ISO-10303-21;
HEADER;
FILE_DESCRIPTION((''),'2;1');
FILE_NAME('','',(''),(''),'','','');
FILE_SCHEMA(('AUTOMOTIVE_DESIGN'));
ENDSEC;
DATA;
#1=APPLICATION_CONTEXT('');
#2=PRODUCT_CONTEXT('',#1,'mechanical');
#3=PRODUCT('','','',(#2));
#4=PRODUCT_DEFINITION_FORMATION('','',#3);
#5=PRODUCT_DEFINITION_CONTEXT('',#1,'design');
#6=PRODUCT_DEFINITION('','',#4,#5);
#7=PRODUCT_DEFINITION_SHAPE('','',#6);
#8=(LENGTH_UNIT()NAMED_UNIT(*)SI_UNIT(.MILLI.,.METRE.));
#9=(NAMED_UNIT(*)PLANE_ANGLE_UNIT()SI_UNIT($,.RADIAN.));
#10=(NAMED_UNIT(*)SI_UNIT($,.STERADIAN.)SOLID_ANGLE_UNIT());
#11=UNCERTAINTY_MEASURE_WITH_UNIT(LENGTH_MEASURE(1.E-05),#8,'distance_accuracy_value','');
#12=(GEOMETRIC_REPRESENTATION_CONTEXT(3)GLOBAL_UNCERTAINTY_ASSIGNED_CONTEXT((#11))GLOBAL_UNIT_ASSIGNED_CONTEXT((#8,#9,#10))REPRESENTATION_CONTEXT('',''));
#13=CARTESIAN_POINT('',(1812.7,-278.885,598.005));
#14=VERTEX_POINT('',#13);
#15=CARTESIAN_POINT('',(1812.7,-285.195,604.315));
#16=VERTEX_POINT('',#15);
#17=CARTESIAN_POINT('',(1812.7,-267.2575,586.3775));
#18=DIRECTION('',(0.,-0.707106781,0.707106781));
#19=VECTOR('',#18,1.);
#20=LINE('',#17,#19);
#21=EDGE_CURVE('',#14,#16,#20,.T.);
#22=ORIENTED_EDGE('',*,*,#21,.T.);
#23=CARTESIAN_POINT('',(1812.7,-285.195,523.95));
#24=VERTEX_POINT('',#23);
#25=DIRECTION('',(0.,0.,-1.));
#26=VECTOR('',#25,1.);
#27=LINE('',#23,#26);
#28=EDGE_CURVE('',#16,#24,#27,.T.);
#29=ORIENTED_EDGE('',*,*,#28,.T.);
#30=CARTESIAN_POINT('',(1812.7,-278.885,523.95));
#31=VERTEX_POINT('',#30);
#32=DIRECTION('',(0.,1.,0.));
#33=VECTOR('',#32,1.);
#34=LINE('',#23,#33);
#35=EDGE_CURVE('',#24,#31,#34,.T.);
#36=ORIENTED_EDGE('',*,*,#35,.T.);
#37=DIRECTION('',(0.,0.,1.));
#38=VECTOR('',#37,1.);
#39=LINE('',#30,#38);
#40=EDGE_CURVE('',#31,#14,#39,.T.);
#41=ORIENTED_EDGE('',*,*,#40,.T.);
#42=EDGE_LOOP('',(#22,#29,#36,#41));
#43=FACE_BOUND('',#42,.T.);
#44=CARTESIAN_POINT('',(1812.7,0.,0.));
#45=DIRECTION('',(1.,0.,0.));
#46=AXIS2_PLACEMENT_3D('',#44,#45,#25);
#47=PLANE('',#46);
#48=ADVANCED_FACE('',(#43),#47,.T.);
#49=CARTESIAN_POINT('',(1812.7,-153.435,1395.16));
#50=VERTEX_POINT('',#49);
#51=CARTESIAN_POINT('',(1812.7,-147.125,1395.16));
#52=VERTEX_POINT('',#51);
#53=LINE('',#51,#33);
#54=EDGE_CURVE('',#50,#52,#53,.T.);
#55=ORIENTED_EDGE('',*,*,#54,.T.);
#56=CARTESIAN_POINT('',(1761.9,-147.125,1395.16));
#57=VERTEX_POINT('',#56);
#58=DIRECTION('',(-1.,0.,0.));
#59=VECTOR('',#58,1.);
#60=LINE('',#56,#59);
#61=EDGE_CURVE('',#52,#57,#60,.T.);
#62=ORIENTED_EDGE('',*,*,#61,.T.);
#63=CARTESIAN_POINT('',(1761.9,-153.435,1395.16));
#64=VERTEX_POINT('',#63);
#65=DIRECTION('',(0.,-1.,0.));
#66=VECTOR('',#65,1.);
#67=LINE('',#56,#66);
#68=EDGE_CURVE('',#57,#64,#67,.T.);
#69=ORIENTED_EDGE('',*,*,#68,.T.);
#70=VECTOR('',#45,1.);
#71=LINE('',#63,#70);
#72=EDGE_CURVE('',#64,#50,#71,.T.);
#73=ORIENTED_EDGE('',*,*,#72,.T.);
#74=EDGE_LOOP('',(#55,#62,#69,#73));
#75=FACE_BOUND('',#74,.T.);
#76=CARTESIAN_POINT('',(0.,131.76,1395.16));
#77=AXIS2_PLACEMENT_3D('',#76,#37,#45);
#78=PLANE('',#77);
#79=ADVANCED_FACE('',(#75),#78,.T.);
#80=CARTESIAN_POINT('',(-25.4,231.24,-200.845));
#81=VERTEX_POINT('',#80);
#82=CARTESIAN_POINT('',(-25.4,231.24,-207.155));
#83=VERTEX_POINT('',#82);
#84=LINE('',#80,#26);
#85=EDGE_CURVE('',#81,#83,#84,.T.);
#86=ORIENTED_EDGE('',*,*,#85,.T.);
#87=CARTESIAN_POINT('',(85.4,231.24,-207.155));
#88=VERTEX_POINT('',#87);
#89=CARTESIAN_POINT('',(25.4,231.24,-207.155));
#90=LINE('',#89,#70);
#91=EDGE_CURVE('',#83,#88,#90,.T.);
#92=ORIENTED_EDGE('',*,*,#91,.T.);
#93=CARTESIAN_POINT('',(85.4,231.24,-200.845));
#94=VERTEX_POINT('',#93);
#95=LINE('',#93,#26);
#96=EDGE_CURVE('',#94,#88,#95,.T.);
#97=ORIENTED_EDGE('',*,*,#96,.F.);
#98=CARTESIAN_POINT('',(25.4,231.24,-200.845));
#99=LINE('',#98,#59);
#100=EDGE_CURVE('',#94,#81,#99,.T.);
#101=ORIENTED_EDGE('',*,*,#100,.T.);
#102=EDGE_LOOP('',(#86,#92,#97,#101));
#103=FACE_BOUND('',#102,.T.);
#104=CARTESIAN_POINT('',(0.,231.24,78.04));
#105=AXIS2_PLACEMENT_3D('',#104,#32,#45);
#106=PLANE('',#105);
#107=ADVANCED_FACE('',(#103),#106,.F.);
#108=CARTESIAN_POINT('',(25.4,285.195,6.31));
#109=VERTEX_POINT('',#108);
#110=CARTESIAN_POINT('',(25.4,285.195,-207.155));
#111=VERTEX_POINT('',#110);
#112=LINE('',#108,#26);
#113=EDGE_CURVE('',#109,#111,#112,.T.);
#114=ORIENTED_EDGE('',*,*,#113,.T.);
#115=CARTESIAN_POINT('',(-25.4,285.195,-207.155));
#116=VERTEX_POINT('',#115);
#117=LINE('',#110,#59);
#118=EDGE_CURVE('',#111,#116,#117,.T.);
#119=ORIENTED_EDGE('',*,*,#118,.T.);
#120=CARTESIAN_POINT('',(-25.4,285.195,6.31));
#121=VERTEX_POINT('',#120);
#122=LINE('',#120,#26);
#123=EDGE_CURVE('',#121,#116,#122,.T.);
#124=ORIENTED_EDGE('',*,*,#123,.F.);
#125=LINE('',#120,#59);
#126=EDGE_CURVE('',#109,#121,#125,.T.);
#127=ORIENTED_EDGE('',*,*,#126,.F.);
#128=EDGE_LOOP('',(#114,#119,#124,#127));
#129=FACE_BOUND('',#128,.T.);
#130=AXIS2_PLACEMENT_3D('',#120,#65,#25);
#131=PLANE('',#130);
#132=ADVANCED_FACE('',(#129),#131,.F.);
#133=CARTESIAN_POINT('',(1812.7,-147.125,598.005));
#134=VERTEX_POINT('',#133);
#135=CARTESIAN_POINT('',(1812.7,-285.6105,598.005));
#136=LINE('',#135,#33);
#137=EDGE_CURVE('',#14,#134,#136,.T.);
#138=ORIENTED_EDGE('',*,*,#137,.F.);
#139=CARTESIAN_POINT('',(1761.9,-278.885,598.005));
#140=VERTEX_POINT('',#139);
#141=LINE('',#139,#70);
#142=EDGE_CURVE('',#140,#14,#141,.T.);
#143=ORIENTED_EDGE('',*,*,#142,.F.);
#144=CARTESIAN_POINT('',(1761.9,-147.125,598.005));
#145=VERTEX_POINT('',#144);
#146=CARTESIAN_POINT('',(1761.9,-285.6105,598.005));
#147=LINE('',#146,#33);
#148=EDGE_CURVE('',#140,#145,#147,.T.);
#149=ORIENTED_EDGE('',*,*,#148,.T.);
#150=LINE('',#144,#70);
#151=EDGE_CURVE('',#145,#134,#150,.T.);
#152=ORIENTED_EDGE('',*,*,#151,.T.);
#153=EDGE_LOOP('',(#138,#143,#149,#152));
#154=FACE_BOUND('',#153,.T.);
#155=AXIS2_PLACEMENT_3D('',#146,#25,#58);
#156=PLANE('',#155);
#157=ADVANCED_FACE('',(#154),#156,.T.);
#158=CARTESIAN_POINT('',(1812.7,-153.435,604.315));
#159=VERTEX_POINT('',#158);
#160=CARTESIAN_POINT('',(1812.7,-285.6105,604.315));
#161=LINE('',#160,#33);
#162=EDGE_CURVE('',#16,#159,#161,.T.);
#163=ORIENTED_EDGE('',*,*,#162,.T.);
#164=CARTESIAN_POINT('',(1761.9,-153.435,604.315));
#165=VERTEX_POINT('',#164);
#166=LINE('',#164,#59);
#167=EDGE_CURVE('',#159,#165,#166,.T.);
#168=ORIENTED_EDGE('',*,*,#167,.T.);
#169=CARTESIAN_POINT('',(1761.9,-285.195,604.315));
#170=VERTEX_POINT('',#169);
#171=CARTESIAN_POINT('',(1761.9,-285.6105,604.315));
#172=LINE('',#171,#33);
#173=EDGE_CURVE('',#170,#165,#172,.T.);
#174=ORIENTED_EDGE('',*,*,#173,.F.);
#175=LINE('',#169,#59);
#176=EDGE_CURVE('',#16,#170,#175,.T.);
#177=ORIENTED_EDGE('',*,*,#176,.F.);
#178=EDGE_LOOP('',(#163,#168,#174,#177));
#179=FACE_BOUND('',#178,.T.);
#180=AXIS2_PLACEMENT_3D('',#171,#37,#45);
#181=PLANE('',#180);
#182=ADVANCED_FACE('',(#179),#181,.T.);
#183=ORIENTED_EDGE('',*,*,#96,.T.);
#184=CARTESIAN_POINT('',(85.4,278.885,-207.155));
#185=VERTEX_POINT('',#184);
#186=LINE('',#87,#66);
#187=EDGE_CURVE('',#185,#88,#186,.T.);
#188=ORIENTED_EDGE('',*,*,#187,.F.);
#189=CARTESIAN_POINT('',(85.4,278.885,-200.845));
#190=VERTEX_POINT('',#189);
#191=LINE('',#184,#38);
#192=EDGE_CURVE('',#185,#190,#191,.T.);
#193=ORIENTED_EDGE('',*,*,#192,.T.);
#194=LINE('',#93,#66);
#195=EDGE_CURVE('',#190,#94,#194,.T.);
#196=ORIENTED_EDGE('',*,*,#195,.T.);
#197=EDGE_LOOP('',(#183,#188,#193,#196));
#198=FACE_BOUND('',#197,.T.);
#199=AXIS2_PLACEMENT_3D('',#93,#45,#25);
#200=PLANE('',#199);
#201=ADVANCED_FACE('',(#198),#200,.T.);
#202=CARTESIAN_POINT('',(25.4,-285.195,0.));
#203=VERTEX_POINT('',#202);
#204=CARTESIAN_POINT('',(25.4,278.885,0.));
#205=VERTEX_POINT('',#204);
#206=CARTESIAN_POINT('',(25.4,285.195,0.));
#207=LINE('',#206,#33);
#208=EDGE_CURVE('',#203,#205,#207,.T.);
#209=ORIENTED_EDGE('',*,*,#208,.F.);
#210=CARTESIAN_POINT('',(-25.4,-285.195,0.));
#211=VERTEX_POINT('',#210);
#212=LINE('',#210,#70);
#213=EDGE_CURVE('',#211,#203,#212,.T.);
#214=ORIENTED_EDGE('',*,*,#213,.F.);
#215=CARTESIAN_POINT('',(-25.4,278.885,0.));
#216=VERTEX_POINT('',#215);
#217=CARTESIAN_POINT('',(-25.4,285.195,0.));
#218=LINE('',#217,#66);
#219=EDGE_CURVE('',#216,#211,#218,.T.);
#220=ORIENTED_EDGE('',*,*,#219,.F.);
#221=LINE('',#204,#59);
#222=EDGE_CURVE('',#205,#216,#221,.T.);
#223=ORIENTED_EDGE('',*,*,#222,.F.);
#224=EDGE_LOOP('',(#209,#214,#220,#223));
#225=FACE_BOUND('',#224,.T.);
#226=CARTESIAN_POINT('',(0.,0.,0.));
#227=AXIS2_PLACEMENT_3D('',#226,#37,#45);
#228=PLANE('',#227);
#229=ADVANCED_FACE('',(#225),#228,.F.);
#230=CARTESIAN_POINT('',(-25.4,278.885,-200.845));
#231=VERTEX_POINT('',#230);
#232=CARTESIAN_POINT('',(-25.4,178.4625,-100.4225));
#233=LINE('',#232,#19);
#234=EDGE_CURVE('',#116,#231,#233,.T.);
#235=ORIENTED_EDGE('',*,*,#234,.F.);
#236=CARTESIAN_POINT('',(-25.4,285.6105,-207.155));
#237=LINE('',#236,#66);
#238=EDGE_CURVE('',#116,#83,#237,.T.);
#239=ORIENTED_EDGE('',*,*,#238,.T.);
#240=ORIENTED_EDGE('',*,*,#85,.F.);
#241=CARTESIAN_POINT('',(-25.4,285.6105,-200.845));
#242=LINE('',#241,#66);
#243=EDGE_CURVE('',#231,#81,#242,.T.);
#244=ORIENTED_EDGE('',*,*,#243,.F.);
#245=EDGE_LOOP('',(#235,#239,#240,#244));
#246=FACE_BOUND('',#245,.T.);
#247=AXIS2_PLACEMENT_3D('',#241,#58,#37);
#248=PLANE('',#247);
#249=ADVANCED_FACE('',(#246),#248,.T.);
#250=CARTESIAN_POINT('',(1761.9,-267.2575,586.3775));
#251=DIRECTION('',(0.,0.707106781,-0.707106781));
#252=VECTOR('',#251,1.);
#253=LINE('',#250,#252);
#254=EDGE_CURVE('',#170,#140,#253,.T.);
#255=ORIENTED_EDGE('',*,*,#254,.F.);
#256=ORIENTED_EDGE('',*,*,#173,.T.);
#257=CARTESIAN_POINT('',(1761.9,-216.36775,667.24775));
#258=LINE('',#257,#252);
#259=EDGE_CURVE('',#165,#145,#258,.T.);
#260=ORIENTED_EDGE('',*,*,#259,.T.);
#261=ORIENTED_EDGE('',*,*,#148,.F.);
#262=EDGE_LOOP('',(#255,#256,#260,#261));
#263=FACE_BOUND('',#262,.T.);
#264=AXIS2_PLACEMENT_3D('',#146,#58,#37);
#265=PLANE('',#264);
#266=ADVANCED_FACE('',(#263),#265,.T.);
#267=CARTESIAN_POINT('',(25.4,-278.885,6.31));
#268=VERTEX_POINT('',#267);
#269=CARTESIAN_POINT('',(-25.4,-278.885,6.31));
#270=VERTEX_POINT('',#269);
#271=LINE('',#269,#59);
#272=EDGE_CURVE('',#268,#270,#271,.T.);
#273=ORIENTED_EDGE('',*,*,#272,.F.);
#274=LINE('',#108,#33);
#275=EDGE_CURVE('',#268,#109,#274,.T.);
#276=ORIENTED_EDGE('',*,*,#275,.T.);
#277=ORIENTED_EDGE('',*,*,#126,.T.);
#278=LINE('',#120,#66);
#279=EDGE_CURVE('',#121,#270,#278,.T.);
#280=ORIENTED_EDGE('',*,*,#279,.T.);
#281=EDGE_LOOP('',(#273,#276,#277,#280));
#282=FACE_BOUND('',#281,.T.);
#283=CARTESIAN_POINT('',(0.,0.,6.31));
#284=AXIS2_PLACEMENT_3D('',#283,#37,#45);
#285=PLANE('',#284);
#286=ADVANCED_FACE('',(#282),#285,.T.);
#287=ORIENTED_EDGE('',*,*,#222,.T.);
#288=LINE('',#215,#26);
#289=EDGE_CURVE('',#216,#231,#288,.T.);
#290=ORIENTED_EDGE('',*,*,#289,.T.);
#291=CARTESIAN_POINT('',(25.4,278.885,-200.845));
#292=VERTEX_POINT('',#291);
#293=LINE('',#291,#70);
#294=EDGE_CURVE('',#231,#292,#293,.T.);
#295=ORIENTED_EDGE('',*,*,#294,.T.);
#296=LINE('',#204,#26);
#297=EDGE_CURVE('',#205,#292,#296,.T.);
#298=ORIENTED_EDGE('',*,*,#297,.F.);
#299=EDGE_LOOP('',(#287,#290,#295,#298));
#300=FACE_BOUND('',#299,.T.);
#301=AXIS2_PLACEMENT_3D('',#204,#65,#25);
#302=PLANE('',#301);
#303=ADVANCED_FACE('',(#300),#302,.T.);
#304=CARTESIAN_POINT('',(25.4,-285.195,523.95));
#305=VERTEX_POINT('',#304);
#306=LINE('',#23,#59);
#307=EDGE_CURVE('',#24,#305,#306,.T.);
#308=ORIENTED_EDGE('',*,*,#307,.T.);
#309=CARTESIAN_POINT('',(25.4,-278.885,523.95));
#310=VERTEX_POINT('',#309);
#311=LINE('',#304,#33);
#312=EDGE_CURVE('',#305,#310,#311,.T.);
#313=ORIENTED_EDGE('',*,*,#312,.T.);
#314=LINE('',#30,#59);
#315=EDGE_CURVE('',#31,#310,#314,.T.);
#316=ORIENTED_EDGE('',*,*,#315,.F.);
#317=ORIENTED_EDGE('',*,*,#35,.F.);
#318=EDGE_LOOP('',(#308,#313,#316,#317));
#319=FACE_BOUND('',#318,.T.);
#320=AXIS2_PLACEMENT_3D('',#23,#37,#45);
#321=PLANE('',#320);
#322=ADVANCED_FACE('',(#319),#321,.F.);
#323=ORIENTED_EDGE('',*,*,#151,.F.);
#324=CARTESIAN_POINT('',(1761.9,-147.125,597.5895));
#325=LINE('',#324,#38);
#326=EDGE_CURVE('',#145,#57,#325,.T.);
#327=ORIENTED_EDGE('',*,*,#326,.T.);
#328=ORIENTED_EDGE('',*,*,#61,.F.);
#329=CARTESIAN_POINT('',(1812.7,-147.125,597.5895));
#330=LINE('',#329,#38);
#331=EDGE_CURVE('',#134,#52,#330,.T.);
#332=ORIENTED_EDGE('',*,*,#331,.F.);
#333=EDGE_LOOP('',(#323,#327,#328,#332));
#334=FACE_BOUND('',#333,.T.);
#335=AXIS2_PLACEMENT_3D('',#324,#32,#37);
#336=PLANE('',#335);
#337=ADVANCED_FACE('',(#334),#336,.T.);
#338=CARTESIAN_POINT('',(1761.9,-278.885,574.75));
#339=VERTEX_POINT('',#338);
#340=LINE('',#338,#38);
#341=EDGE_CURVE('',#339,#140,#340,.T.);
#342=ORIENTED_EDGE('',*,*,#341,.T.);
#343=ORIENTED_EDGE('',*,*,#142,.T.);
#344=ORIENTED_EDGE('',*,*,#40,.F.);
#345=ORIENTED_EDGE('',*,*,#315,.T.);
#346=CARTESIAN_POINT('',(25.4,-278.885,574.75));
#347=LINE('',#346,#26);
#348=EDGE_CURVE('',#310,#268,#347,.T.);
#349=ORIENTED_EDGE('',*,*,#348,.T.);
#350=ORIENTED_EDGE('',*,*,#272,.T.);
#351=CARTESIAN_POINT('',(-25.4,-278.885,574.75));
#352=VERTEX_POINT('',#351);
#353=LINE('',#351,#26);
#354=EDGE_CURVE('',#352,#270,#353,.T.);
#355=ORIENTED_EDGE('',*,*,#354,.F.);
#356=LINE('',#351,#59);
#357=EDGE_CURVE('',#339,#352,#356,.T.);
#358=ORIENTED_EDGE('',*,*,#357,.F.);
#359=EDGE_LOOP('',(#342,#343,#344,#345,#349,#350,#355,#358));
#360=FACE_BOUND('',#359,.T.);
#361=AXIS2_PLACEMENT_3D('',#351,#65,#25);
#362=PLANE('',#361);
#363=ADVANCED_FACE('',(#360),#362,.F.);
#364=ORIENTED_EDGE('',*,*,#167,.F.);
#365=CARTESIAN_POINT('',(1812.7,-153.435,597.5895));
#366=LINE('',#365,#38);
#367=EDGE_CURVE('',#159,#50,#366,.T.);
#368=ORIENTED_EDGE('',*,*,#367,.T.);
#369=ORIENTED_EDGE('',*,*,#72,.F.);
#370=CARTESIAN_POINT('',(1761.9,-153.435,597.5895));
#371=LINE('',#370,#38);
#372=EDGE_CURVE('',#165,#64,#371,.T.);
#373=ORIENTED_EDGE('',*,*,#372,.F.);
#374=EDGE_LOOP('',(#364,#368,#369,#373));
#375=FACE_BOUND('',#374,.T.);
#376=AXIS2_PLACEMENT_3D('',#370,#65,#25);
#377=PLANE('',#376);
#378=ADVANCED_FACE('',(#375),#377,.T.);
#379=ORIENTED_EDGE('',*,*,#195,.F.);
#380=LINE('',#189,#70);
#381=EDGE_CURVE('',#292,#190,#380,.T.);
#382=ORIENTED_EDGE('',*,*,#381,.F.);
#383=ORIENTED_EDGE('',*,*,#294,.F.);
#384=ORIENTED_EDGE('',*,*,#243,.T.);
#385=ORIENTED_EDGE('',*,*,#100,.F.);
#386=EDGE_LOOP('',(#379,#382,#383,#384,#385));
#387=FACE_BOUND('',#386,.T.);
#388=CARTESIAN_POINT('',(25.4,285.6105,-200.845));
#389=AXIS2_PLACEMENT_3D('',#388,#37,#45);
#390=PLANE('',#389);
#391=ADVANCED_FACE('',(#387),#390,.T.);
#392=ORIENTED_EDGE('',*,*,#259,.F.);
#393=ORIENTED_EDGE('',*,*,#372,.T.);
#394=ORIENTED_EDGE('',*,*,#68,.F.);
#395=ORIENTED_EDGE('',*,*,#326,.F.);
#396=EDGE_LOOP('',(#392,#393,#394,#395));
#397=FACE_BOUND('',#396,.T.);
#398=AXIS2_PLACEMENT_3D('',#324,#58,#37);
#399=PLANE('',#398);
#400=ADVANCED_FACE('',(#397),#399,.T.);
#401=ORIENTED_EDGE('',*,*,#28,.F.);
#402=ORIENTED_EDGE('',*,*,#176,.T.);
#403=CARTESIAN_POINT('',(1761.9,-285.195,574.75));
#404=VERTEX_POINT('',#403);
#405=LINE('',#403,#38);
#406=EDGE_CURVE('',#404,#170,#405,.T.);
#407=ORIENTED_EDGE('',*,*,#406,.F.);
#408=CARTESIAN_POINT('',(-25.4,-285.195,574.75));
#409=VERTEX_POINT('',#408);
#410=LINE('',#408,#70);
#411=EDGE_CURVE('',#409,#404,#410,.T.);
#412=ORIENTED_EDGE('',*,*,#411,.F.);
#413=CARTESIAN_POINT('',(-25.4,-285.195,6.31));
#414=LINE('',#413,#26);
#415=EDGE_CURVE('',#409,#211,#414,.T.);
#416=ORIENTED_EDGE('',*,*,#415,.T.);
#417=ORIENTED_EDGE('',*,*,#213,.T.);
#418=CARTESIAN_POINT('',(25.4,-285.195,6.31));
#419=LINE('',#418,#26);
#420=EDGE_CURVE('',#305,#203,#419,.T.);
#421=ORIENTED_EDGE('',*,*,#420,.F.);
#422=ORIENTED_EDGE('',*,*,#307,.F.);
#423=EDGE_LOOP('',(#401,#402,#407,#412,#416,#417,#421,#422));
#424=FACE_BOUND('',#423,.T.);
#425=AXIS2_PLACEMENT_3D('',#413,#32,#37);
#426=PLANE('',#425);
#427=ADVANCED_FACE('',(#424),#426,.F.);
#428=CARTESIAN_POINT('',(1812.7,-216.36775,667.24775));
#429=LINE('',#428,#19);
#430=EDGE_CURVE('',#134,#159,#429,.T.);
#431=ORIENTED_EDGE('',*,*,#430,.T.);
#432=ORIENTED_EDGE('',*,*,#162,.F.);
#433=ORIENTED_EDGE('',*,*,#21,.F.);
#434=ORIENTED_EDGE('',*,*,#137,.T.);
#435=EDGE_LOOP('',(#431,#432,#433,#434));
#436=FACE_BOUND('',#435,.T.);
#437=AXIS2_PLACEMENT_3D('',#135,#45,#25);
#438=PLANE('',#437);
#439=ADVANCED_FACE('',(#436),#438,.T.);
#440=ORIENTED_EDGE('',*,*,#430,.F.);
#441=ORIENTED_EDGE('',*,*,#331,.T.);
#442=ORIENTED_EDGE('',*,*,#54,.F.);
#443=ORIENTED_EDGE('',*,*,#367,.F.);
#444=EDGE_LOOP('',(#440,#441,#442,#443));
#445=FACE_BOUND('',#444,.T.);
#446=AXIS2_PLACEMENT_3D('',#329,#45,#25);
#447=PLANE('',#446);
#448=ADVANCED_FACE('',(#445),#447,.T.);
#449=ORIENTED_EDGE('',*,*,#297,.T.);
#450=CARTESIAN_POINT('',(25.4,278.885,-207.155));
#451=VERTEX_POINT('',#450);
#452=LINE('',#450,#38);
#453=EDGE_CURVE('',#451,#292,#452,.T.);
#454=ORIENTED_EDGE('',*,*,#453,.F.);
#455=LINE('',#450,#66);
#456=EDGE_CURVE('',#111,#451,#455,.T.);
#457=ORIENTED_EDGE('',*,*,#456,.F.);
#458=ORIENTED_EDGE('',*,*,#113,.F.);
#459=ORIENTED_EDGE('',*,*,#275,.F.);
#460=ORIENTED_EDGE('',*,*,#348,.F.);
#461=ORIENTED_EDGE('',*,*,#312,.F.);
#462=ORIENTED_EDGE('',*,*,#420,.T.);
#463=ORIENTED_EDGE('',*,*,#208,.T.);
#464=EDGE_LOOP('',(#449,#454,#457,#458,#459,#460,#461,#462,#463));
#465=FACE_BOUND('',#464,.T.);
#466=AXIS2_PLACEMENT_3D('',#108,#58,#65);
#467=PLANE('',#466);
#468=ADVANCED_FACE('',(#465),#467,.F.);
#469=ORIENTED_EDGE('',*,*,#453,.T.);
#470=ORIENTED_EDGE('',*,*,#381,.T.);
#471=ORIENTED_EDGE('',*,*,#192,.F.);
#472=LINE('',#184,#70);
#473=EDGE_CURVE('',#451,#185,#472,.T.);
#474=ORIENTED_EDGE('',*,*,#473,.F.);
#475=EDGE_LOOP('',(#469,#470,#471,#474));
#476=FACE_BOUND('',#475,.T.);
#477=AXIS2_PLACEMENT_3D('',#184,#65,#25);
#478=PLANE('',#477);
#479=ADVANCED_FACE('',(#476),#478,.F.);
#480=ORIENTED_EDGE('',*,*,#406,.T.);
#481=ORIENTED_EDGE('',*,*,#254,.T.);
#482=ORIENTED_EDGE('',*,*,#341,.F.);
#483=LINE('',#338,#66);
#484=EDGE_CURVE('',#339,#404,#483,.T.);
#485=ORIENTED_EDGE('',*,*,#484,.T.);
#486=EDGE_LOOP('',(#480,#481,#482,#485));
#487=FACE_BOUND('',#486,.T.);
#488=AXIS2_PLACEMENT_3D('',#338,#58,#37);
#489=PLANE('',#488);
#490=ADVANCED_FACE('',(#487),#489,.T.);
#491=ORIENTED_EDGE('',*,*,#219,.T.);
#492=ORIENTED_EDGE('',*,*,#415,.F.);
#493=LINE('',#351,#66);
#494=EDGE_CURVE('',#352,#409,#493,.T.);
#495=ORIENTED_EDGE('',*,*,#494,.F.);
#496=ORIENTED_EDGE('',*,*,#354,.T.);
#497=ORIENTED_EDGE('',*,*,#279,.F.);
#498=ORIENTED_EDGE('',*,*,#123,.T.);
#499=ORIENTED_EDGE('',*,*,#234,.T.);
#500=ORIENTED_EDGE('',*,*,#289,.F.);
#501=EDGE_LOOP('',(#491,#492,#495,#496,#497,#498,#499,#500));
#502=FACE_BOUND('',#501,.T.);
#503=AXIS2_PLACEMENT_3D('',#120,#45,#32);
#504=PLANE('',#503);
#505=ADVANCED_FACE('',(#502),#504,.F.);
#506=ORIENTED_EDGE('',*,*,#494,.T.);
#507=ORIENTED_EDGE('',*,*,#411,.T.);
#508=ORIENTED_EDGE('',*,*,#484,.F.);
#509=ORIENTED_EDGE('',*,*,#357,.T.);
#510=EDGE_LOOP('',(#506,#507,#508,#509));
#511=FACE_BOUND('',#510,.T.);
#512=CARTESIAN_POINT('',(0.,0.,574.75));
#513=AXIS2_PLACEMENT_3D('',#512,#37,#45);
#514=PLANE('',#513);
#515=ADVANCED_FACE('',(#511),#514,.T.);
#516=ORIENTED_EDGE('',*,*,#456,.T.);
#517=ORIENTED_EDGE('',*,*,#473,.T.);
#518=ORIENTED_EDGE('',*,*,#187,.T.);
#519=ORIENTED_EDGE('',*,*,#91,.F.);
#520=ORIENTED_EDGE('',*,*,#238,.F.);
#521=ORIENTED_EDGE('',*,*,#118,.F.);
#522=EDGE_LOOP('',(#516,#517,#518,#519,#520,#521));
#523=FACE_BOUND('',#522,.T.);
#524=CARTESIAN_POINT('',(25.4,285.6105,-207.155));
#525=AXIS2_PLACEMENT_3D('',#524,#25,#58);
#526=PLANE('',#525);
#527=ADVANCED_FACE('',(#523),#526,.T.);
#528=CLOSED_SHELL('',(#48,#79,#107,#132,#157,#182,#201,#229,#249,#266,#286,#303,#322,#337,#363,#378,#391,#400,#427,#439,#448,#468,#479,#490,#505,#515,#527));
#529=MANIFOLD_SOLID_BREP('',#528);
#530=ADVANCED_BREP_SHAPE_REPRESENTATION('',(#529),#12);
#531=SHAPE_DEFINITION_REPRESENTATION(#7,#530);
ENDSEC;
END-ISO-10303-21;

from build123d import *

# Parameters (mm, degrees)
CROQUIS2_W              = 50.8
CROQUIS2_H              = 570.39
SALIENTE_EXTRUIR1_DEPTH = 6.31
CROQUIS3_W              = 50.8
CROQUIS3_H              = 6.31
SALIENTE_EXTRUIR2_DEPTH = 568.44
CROQUIS4_W              = 50.8
CROQUIS4_H              = 6.31
SALIENTE_EXTRUIR3_DEPTH = 1787.3
CROQUIS6_W              = 50.8
CROQUIS6_H              = 6.31
CROQUIS7_W              = 60
CROQUIS7_H              = 53.955
SALIENTE_EXTRUIR4_DEPTH = 6.31
CROQUIS8_W              = 60
CROQUIS8_H              = 6.31
CORTAR_EXTRUIR1_DEPTH   = 6.31
CROQUIS9_W              = 50.8
CROQUIS9_H              = 6.31


with BuildPart() as part:
    # Croquis2 → Saliente-Extruir1 (new body)
    with BuildSketch(Plane.XY):
        Rectangle(CROQUIS2_W, CROQUIS2_H)
    extrude(amount=SALIENTE_EXTRUIR1_DEPTH)

    # Croquis3 → Saliente-Extruir2 (add)
    with BuildSketch(Plane.XY.offset(6.31)):
        with Locations((0, -282.04)):
            Rectangle(CROQUIS3_W, CROQUIS3_H)
    extrude(amount=SALIENTE_EXTRUIR2_DEPTH)

    # Croquis4 → Saliente-Extruir3 (add)
    with BuildSketch(Plane(origin=(25.4, 0, 0), x_dir=(0, 0, -1), z_dir=(1, 0, 0))):
        with Locations((-549.35, -282.04)):
            Rectangle(CROQUIS4_W, CROQUIS4_H)
    extrude(amount=SALIENTE_EXTRUIR3_DEPTH)

    # Barrer1: sweep along a curve in space
    with BuildLine() as barrer1_path:
        Line((0, 282.04, 0), (0, 282.04, -204))
        Line((0, 282.04, -204), (0, 231.24, -204))
    # Croquis6 → Barrer1 (sweep)
    with BuildSketch(Plane(origin=(0, 0, 0), x_dir=(-1, 0, 0), z_dir=(0, 0, -1))):
        with Locations((0, 282.04)):
            Rectangle(CROQUIS6_W, CROQUIS6_H)
    sweep(path=barrer1_path.line, transition=Transition.RIGHT)

    # Croquis7 → Saliente-Extruir4 (add)
    with BuildSketch(Plane(origin=(0, 0, -207.155), x_dir=(-1, 0, 0), z_dir=(0, 0, -1))):
        with Locations((-55.4, 258.2175)):
            Rectangle(CROQUIS7_W, CROQUIS7_H)
    extrude(amount=-SALIENTE_EXTRUIR4_DEPTH)

    # Croquis8 → Cortar-Extruir1 (cut)
    with BuildSketch(Plane.XY.offset(-200.845)):
        with Locations((55.4, 282.04)):
            Rectangle(CROQUIS8_W, CROQUIS8_H)
    extrude(amount=-CORTAR_EXTRUIR1_DEPTH, mode=Mode.SUBTRACT)

    # Barrer2: sweep along a curve in space
    with BuildLine() as barrer2_path:
        Line((1787.3, -282.04, 574.75), (1787.3, -282.04, 601.16))
        Line((1787.3, -282.04, 601.16), (1787.3, -150.28, 601.16))
        Line((1787.3, -150.28, 601.16), (1787.3, -150.28, 1395.16))
    # Croquis9 → Barrer2 (sweep)
    with BuildSketch(Plane.XY.offset(574.75)):
        with Locations((1787.3, -282.04)):
            Rectangle(CROQUIS9_W, CROQUIS9_H)
    sweep(path=barrer2_path.line, transition=Transition.RIGHT)


solid = part.part
